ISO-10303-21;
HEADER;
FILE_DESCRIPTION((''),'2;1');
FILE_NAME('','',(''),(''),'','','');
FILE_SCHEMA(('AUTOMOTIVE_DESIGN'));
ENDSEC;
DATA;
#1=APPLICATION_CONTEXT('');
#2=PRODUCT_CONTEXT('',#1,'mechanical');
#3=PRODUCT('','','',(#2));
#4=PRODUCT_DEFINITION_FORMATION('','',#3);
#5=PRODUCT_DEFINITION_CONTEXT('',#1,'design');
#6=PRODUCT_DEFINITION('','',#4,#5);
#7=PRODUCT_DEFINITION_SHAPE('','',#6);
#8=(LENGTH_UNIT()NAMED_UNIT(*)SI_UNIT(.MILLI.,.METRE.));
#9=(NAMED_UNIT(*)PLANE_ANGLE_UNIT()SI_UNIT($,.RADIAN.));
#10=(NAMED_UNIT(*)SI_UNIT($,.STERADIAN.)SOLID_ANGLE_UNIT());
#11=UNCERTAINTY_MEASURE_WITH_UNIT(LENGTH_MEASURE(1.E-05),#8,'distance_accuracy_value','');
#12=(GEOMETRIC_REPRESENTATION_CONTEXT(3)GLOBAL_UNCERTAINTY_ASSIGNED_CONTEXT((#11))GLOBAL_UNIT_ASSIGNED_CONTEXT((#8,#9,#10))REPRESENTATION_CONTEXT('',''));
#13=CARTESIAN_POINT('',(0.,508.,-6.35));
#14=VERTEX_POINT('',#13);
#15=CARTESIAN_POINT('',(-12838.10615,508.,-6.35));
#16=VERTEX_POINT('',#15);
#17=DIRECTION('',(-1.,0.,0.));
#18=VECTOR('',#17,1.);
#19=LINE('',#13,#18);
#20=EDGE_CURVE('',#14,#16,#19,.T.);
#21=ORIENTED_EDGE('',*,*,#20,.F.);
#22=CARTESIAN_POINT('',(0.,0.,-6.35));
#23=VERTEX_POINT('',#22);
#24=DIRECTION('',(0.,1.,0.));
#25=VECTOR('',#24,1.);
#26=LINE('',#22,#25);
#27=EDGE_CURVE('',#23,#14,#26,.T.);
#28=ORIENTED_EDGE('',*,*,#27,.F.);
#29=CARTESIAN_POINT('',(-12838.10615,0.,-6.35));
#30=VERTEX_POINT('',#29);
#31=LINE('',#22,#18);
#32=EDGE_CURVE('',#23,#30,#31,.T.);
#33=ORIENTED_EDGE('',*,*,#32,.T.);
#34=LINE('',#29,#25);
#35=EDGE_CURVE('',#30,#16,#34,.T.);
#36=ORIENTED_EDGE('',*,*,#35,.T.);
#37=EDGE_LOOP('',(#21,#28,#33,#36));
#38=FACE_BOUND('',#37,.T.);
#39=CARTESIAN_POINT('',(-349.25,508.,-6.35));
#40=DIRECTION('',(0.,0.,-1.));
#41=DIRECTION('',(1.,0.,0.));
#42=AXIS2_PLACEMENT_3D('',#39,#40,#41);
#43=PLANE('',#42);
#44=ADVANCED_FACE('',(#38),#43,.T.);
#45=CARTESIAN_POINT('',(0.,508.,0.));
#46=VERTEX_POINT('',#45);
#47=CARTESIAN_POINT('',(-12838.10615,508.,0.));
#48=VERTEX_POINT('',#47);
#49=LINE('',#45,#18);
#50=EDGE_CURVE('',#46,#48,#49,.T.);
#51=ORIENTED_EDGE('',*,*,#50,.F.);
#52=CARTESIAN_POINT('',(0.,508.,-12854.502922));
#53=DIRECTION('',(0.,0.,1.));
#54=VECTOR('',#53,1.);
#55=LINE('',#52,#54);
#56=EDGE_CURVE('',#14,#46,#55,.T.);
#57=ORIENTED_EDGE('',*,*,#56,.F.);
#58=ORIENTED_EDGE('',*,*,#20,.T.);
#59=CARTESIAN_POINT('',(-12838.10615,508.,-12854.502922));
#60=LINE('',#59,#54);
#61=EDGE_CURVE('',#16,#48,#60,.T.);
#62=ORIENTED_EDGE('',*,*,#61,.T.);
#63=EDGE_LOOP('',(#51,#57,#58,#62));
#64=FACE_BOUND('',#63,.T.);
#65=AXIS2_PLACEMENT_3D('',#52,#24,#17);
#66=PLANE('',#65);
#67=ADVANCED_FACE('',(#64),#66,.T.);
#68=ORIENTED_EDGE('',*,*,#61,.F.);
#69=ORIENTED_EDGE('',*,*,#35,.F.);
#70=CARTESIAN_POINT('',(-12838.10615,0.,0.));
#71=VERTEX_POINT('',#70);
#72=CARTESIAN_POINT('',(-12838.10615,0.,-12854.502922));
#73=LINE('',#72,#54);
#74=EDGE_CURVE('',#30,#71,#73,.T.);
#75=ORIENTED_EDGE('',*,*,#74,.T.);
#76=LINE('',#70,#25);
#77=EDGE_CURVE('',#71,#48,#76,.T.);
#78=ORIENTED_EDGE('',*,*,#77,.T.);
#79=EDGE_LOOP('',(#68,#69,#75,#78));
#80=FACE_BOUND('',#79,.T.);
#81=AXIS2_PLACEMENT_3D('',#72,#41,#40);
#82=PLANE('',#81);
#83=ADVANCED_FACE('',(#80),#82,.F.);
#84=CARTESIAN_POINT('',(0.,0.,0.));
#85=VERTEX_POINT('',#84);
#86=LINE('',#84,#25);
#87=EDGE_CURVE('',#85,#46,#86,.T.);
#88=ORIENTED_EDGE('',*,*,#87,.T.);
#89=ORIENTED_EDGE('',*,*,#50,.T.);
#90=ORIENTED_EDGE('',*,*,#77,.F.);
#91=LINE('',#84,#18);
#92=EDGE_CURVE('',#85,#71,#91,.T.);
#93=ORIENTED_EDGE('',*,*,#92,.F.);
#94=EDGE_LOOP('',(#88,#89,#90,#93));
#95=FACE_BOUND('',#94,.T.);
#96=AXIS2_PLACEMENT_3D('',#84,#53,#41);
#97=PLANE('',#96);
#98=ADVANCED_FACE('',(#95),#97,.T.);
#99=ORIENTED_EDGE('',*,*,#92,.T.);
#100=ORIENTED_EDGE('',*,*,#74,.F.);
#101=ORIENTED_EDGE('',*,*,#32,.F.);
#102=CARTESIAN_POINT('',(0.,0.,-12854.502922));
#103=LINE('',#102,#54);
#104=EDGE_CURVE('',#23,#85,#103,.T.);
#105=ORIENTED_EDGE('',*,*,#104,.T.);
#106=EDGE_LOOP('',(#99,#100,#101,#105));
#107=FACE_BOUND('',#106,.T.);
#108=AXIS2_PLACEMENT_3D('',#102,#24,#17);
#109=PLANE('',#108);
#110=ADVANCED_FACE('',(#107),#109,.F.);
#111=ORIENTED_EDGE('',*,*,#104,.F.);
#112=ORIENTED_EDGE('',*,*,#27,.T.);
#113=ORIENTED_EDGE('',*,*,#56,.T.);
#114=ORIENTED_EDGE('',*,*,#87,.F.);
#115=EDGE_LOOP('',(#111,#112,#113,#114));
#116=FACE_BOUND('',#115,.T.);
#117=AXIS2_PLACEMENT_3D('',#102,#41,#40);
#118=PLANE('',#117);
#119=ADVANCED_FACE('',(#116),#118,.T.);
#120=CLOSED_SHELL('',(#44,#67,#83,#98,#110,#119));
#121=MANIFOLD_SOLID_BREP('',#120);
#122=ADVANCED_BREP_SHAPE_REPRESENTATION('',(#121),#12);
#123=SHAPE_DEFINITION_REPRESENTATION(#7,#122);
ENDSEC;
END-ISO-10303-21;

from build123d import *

# Parameters (mm, degrees)
SKETCH1_W           = 336.55
SKETCH1_H           = 482.6
BOSS_EXTRUDE1_DEPTH = 6.35


with BuildPart() as part:
    # Sketch1 → Boss-Extrude1 (new body)
    with BuildSketch(Plane.XY):
        with Locations((-168.275, 241.3)):
            Rectangle(SKETCH1_W, SKETCH1_H)
        Polygon((-12838.10615, 0), (-336.55, 0), (-336.55, 482.6), (0, 482.6), (0, 508), (-12838.10615, 508), align=None)
    extrude(amount=-BOSS_EXTRUDE1_DEPTH)


solid = part.part
